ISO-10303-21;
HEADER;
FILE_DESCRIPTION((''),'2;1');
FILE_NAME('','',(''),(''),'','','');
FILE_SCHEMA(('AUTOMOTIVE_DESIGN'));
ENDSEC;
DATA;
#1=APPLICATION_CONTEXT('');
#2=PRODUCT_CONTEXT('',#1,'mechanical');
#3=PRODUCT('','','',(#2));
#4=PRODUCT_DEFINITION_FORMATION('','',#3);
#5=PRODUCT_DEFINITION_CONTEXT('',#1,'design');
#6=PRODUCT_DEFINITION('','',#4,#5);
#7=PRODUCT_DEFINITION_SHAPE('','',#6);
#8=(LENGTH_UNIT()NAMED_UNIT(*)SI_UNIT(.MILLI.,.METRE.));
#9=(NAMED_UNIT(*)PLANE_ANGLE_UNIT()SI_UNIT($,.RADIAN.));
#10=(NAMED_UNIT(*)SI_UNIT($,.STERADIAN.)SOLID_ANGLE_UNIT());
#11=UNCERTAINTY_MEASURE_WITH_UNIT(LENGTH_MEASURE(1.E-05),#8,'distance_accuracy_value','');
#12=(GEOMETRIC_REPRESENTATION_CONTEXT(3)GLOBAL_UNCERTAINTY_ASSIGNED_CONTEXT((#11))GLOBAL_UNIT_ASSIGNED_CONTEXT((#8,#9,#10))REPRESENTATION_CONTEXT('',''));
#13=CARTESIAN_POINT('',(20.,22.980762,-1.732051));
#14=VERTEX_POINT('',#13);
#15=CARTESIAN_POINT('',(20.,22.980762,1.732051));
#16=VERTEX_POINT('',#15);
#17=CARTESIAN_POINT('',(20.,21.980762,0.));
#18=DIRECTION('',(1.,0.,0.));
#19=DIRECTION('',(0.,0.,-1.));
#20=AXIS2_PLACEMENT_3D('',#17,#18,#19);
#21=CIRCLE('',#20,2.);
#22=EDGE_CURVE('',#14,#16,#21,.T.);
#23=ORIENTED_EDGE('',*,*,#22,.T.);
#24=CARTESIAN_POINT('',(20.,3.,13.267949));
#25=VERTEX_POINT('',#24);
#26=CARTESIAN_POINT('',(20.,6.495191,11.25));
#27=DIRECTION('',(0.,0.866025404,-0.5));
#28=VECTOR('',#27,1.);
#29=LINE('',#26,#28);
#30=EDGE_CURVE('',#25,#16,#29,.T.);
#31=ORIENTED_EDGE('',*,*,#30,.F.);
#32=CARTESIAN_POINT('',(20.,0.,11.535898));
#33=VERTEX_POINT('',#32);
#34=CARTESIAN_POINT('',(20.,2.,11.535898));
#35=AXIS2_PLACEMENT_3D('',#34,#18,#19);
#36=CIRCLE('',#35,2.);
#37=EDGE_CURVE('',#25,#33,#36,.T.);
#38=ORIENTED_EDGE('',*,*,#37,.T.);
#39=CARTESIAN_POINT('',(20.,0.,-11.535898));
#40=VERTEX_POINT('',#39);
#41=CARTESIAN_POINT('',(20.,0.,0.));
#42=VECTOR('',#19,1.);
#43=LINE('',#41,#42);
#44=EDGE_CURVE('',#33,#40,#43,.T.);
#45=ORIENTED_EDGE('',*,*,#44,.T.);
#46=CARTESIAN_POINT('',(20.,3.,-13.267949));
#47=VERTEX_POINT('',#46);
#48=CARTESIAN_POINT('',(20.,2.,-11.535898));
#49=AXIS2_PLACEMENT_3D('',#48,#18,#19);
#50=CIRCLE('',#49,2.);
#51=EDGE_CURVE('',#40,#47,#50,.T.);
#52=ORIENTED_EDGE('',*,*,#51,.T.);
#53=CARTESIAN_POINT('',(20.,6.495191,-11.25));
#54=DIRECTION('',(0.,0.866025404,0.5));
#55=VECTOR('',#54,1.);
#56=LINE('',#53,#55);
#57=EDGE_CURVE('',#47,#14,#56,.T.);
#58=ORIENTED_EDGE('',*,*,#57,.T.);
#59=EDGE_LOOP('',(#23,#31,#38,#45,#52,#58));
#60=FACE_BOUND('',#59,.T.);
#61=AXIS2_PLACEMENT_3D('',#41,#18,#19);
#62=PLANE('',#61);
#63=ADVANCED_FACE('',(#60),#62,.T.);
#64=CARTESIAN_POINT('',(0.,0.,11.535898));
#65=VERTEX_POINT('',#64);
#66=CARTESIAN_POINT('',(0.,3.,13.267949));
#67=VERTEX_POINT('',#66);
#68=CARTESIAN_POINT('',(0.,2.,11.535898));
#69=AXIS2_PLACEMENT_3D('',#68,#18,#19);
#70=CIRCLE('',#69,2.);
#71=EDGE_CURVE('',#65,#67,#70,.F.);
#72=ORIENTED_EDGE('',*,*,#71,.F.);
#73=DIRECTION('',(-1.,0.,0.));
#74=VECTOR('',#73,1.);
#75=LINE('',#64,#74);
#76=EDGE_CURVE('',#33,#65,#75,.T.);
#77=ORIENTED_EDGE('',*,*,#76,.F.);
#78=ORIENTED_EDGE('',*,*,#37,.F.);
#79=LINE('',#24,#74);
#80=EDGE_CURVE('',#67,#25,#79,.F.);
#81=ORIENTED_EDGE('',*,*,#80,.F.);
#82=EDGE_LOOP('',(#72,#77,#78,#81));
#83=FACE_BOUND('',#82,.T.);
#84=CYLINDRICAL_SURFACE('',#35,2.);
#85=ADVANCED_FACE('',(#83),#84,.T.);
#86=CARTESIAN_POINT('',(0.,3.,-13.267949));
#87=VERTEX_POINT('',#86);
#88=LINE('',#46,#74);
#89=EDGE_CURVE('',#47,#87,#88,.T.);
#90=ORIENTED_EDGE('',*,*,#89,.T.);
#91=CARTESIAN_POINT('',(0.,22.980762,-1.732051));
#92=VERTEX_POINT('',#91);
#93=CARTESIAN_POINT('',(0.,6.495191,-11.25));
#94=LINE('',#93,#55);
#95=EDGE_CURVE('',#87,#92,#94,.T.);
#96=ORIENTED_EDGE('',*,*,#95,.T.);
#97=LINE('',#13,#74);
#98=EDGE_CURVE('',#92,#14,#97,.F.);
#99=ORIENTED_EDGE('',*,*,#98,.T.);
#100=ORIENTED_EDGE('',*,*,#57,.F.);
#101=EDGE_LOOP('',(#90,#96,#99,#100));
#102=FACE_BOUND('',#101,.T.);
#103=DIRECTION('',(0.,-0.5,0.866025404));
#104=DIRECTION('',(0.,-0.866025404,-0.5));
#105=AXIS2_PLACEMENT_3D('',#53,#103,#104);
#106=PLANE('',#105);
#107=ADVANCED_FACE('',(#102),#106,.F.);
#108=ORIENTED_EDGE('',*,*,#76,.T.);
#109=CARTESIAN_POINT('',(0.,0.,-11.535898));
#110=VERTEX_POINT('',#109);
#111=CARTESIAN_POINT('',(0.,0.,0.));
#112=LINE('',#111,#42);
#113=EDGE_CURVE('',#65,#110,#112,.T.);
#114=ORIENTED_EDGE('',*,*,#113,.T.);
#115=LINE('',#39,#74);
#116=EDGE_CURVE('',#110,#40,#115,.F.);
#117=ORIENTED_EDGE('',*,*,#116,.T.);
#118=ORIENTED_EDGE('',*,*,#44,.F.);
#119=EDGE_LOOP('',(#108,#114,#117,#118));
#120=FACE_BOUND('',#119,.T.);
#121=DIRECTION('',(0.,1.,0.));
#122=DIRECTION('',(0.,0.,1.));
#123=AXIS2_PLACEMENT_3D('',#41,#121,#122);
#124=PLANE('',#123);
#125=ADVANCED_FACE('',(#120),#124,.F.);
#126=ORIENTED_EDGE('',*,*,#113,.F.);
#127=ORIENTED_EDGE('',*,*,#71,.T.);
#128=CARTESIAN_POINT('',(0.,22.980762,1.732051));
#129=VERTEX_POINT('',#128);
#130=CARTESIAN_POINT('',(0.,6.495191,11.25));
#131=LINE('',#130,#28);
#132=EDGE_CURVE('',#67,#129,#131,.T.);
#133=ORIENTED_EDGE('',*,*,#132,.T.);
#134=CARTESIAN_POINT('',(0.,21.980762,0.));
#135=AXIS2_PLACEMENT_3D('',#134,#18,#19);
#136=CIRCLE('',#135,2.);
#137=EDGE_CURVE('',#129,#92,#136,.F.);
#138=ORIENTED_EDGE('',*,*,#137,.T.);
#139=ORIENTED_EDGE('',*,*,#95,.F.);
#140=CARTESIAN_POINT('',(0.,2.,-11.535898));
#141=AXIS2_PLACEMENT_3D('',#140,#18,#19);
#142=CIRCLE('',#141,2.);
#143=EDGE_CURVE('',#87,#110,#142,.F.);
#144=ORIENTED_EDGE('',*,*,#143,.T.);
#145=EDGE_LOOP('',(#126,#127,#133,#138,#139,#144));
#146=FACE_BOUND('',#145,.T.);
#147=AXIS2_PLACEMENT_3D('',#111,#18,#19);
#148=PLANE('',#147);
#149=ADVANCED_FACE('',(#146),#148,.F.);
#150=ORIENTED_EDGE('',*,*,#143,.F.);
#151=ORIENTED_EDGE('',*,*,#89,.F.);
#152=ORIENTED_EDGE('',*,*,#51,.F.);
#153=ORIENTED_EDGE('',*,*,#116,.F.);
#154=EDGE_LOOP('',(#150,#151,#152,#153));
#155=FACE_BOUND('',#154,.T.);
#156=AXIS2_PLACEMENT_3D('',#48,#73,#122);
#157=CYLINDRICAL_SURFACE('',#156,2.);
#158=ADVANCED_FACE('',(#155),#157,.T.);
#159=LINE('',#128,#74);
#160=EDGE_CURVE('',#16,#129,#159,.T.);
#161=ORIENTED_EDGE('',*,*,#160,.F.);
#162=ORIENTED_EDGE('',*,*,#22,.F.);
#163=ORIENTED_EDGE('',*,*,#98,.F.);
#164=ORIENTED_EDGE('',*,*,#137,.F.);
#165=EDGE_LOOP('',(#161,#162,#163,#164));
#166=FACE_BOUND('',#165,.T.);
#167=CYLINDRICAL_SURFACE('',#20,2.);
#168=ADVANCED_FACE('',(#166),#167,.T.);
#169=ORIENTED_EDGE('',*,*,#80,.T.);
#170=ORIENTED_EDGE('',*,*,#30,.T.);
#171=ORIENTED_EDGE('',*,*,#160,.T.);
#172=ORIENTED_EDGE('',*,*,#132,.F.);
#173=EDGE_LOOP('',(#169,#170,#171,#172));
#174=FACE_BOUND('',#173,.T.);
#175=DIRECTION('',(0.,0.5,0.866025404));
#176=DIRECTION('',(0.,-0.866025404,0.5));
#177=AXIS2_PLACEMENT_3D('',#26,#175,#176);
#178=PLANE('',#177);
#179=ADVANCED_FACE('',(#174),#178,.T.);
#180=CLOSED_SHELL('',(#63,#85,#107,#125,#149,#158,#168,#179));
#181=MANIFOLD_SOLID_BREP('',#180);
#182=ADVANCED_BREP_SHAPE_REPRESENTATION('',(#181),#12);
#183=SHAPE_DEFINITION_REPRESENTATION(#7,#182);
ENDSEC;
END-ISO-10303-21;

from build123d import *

# Parameters (mm, degrees)
EXTRUDE_1_DEPTH = 20
FILLET_1_R      = 2


with BuildPart() as part:
    # 草图1 → 凸台-拉伸1 (new body)
    with BuildSketch(Plane(origin=(0, 0, 0), x_dir=(0, 0, -1), z_dir=(1, 0, 0))):
        Polygon((0, 25.980762114), (0, 0), (15, 0), align=None)
        Polygon((0, 25.980762114), (-15, 0), (0, 0), align=None)
    extrude(amount=EXTRUDE_1_DEPTH)

    # 圆角1
    fillet_1_edges = [part.edges().sort_by_distance(p)[0] for p in [
        (10, 0, -15),
        (10, 0, 15),
        (10, 25.980762114, 0),
    ]]
    fillet(fillet_1_edges, radius=FILLET_1_R)


solid = part.part
